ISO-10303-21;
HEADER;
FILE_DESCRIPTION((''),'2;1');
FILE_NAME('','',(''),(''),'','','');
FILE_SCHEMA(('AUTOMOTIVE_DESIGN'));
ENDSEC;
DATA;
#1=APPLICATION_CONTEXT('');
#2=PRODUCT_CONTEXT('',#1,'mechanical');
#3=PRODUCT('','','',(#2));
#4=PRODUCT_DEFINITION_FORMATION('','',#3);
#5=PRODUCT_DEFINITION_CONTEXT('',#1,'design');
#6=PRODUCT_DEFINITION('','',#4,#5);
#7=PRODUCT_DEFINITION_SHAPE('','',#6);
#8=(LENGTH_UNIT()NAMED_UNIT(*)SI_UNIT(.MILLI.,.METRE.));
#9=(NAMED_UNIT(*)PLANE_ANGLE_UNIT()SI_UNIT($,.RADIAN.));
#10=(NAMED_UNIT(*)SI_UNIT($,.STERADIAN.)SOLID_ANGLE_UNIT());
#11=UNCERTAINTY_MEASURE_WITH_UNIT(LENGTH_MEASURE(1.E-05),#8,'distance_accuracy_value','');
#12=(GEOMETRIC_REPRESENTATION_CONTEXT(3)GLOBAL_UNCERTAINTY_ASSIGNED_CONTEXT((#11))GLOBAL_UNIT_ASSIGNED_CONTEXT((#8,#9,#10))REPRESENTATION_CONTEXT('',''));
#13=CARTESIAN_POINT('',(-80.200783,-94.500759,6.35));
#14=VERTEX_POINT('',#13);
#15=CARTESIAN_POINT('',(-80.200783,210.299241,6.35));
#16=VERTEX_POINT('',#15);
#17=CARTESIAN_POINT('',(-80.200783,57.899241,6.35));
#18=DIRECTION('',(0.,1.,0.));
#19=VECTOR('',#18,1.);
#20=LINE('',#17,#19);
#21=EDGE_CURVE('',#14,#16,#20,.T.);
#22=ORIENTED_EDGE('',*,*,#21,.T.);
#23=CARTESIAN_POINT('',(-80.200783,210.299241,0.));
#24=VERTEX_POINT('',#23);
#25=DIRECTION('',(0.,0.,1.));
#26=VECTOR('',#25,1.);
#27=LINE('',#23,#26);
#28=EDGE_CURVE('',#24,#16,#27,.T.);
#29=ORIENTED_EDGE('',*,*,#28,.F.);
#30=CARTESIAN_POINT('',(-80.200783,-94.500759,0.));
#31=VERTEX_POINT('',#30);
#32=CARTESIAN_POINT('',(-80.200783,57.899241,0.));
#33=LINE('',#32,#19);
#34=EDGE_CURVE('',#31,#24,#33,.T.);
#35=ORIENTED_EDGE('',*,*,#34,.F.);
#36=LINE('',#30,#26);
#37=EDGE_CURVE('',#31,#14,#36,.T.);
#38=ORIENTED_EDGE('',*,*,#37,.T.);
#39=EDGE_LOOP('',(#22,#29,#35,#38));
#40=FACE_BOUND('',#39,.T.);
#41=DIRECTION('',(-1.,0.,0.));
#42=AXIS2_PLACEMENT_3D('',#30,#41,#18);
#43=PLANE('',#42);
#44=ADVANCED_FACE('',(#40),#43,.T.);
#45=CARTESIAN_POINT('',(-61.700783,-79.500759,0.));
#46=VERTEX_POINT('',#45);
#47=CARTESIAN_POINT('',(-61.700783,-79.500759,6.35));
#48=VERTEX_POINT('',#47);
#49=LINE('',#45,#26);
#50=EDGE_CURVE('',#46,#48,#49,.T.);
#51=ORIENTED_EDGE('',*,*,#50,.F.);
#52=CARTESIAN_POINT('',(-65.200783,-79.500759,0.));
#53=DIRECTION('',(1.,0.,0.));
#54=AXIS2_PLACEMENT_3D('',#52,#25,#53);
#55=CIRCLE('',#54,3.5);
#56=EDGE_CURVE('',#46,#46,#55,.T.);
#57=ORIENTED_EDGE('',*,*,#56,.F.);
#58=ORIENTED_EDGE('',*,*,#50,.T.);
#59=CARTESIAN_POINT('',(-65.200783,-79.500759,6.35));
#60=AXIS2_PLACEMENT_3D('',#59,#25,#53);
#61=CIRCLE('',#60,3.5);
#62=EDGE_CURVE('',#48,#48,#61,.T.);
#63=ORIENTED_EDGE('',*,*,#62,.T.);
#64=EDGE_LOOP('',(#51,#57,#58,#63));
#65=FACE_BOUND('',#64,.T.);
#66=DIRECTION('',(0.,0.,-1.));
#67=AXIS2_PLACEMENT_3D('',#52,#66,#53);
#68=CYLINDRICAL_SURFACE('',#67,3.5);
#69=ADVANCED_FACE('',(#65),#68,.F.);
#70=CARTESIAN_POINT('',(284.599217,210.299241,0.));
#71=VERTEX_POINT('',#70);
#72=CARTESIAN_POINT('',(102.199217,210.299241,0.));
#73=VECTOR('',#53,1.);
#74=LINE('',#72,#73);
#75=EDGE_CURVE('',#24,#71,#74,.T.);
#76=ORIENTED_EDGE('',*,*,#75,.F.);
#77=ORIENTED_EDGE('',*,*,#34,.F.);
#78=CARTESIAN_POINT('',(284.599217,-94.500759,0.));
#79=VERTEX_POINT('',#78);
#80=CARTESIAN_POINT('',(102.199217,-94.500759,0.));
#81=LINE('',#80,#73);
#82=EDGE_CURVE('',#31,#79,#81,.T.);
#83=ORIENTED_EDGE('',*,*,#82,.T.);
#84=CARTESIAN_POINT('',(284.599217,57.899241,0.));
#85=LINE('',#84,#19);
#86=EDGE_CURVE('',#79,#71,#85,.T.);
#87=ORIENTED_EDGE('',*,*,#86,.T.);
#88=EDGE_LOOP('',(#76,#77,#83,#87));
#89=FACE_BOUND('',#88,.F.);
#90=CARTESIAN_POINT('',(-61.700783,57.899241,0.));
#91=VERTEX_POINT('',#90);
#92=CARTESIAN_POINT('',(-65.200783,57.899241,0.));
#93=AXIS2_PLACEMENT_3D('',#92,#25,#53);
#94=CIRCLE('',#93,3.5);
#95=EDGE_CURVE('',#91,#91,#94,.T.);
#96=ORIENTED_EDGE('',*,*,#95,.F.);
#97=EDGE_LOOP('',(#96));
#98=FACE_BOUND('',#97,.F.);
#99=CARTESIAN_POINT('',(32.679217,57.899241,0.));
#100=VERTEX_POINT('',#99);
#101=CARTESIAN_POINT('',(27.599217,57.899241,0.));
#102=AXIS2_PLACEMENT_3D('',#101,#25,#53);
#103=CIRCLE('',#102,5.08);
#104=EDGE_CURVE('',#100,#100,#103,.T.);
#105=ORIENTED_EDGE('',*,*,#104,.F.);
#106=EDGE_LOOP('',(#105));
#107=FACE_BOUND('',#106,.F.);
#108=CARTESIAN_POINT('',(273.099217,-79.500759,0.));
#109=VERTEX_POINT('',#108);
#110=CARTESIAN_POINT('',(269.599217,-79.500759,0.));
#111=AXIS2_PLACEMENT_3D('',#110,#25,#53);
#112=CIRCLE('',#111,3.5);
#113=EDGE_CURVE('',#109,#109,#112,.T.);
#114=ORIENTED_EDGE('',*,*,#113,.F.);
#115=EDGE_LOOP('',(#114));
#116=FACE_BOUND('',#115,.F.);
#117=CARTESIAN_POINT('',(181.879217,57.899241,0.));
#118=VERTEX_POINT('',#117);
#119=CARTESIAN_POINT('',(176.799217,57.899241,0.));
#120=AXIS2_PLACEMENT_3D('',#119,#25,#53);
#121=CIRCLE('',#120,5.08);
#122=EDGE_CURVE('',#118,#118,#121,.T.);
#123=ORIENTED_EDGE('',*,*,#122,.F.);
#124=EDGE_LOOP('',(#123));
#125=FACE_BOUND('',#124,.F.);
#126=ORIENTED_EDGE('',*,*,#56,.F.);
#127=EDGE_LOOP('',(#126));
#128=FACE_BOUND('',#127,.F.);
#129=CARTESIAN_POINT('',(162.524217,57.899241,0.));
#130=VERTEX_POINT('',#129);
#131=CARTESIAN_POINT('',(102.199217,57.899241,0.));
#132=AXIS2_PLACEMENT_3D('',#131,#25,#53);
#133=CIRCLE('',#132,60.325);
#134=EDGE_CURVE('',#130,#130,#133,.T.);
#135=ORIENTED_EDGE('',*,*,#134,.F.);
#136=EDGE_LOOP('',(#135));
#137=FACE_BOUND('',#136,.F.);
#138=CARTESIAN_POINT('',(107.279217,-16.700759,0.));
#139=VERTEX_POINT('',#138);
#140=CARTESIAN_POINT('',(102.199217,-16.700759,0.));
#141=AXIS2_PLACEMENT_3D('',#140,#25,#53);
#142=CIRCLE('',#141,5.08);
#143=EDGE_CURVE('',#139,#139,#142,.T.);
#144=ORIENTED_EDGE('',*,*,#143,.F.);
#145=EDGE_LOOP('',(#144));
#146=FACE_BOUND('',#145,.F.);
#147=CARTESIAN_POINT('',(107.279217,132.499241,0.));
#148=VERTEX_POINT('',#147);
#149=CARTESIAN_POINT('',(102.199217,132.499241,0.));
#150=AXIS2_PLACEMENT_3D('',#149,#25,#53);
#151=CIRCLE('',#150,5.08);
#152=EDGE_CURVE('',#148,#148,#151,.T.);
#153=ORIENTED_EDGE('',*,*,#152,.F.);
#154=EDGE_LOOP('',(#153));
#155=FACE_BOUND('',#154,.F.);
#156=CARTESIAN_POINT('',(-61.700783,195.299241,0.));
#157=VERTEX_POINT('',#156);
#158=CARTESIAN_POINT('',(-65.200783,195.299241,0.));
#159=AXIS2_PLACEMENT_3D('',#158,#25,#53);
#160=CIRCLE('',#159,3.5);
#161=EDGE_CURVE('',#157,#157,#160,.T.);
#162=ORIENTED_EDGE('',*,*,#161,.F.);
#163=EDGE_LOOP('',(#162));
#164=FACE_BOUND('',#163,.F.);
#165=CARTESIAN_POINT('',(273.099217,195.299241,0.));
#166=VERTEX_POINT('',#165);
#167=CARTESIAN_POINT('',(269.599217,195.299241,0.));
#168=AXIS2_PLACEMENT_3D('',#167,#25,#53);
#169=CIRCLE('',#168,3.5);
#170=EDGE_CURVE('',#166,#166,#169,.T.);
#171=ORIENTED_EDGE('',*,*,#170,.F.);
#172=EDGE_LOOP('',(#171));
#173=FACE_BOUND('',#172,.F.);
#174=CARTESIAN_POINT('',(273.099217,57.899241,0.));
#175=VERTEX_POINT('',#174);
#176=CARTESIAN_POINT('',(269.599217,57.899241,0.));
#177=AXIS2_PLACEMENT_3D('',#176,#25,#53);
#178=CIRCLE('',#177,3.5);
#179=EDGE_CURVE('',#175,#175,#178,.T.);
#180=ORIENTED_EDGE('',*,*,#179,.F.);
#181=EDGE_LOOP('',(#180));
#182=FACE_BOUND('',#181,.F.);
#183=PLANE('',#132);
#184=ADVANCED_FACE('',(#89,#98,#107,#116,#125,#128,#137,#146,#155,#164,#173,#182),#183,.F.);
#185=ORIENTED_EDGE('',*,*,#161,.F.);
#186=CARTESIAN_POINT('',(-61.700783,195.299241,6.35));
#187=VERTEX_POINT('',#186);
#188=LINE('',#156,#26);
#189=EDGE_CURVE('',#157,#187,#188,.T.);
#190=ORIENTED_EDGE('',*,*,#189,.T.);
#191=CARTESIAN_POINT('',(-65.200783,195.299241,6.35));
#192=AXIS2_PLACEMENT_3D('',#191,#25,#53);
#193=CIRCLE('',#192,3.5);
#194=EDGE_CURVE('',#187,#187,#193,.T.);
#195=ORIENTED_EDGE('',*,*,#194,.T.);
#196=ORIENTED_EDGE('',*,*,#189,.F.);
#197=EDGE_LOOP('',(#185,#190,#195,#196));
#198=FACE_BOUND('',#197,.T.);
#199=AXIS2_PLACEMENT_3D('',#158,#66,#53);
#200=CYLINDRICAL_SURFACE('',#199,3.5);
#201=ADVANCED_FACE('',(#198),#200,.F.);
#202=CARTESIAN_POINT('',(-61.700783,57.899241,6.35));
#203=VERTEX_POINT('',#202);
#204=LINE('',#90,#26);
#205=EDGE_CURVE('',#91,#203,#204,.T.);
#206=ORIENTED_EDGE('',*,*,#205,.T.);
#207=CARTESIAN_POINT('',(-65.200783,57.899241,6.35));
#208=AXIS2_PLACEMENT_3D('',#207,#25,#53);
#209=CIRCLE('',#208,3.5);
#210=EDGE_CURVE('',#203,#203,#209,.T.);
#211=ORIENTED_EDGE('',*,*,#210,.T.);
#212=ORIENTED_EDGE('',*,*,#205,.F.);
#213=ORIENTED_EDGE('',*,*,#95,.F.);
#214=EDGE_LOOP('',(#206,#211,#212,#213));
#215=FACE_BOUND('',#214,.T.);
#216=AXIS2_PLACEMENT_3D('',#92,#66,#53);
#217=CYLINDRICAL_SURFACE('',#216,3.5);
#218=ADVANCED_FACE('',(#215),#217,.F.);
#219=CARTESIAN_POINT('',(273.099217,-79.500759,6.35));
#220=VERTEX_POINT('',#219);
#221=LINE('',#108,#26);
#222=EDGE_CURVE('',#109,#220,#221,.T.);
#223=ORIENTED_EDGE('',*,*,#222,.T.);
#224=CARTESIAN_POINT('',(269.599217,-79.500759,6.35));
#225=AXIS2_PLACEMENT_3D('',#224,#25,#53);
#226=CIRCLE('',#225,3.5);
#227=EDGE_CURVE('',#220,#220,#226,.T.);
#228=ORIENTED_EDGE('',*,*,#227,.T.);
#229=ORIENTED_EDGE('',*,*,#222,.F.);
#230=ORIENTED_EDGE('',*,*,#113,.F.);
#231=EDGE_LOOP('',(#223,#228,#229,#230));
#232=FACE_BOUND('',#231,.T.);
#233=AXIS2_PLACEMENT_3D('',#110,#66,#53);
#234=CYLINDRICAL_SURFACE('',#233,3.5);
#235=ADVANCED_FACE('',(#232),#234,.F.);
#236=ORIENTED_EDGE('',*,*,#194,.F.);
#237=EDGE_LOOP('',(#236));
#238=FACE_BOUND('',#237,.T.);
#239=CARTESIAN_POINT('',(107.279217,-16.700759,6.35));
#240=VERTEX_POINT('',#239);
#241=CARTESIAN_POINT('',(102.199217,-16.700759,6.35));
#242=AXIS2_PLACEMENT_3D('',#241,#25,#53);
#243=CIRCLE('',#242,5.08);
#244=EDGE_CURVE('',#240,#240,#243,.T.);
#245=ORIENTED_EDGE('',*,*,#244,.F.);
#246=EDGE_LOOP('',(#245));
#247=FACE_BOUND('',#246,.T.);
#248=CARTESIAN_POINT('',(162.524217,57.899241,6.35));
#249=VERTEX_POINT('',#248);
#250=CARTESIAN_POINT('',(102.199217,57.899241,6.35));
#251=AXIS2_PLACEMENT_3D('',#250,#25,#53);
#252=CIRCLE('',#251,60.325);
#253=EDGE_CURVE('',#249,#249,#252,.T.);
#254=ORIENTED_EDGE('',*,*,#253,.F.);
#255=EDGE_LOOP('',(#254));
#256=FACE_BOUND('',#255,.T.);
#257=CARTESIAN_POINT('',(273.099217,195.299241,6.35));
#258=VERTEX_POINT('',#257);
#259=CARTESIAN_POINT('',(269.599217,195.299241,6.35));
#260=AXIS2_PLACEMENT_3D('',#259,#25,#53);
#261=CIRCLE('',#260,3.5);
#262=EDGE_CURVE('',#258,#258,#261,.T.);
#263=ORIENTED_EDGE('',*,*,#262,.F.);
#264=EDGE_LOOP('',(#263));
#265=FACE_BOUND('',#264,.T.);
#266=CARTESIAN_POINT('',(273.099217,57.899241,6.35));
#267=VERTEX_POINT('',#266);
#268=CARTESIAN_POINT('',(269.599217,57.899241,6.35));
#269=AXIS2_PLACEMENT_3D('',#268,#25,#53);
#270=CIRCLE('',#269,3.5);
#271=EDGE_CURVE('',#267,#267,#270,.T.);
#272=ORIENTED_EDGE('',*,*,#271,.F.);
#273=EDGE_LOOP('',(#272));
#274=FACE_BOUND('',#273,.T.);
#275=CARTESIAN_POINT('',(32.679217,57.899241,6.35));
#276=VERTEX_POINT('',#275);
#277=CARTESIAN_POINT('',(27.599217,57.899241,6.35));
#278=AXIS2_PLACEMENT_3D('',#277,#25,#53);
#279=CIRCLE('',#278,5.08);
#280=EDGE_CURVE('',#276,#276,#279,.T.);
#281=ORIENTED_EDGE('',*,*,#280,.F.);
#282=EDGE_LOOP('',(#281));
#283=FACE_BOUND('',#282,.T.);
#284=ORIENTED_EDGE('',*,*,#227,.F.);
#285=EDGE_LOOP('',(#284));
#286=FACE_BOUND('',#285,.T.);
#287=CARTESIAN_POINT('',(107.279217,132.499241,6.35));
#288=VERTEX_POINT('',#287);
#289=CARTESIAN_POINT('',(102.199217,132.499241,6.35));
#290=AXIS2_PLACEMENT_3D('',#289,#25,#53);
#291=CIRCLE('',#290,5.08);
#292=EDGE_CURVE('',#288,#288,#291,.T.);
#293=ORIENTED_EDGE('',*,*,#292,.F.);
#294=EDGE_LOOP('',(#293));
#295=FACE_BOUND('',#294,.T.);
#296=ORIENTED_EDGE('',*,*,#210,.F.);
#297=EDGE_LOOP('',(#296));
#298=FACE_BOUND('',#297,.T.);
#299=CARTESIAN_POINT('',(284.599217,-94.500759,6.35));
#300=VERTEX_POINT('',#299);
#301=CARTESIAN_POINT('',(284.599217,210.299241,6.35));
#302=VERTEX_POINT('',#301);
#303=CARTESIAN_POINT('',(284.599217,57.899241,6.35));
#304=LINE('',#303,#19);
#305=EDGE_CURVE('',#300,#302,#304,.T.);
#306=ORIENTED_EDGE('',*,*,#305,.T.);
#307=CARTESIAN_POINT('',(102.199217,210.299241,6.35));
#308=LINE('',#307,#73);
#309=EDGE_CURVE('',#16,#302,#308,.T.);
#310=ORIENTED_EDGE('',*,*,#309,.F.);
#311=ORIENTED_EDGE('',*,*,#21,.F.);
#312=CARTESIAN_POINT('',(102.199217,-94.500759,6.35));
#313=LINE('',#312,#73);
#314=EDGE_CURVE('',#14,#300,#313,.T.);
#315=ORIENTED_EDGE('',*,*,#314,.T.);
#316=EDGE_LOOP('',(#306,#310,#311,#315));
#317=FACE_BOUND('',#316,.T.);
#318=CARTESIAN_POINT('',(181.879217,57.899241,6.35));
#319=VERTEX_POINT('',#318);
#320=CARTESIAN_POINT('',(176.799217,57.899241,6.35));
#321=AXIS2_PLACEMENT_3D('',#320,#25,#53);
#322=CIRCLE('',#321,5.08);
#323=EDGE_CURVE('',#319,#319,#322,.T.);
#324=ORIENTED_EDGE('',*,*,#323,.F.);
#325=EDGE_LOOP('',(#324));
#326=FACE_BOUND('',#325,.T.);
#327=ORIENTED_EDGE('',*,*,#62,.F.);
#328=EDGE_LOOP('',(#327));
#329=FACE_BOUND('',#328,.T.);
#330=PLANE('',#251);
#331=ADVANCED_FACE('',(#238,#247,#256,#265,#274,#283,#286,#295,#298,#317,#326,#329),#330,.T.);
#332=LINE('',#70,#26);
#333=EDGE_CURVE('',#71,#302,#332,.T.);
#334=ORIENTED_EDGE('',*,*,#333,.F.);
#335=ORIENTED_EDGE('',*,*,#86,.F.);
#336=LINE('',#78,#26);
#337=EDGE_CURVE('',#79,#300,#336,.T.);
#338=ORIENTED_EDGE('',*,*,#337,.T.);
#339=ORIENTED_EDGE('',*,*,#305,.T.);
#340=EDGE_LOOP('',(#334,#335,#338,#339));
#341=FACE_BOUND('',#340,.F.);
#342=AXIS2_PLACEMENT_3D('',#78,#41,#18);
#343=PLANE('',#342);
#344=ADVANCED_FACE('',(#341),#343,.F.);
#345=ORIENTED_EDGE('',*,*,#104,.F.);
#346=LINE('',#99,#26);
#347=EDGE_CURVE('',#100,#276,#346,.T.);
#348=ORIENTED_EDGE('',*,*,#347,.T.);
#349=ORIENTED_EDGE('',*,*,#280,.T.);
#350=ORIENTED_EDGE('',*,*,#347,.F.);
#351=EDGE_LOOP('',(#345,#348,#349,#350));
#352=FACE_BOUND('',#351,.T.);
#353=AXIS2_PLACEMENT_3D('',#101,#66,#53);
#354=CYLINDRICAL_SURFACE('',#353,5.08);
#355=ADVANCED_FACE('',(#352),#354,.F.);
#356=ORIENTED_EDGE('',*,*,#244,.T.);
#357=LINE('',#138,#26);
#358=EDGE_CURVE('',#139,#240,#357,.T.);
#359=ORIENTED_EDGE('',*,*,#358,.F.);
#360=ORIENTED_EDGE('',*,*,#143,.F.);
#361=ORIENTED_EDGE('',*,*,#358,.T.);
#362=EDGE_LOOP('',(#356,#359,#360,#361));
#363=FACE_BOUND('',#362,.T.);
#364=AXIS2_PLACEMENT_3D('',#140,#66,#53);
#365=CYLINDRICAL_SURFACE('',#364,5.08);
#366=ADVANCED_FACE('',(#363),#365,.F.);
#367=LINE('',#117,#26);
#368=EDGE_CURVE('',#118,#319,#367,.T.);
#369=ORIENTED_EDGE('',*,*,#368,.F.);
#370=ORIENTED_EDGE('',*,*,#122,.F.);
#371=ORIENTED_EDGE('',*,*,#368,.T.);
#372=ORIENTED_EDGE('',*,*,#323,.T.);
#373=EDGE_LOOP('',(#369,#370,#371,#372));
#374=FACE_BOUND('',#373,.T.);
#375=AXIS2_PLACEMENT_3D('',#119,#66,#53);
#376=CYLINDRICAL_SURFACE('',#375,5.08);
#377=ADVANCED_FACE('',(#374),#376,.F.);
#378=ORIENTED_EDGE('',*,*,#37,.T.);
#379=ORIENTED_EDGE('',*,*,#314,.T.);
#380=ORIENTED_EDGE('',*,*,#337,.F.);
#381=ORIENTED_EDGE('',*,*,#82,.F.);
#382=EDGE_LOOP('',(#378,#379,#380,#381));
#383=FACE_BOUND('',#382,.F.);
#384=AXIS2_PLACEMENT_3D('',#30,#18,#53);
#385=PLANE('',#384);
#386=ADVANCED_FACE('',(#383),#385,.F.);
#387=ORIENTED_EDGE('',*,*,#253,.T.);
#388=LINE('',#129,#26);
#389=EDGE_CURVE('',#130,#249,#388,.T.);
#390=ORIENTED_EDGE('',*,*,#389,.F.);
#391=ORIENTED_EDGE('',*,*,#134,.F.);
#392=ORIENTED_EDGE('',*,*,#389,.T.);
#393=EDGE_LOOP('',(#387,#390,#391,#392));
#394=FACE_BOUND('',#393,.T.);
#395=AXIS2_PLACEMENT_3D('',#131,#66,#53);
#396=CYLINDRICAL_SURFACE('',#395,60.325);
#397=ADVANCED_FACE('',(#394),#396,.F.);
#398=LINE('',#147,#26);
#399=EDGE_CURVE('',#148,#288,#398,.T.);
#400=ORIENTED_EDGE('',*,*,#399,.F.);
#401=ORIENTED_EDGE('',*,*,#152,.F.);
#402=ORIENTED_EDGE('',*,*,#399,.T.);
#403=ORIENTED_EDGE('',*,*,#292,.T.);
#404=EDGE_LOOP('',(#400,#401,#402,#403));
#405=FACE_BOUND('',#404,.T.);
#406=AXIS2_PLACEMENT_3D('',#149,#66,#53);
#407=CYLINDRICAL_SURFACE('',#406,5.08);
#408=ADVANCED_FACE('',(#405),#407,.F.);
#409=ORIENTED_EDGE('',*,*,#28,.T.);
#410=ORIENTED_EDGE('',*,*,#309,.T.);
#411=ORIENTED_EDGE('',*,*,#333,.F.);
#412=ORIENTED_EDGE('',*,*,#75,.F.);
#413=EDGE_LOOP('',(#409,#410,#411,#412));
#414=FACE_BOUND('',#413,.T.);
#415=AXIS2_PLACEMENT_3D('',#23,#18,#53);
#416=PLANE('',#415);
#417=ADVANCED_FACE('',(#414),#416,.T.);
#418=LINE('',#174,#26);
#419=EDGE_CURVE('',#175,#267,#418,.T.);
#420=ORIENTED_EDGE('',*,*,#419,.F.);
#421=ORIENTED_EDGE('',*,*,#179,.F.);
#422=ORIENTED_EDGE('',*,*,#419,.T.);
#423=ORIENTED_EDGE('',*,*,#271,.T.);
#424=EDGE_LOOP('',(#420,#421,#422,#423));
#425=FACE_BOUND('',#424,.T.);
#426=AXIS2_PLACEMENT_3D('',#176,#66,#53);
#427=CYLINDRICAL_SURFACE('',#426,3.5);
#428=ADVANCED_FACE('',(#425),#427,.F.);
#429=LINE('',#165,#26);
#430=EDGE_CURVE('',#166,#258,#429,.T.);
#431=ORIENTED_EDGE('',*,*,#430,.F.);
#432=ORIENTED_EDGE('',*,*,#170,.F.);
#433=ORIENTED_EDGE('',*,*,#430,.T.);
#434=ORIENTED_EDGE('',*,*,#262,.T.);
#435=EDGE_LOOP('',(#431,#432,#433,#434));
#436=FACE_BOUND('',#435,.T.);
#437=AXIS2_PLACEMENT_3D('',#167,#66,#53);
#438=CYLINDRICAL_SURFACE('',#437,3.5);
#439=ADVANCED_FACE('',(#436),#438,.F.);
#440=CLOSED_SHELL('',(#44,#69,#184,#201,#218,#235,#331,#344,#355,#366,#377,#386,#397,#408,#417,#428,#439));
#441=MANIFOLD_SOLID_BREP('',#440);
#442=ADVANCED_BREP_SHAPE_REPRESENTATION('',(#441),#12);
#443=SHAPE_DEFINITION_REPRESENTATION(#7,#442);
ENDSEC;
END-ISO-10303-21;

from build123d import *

# Parameters (mm, degrees)
SKETCH1_W           = 364.8
SKETCH1_H           = 304.8
SKETCH1_R           = 60.325
SKETCH1_R_2         = 5.08
SKETCH1_R_3         = 3.5
BOSS_EXTRUDE1_DEPTH = 6.35


with BuildPart() as part:
    # Sketch1 → Boss-Extrude1 (new body)
    with BuildSketch(Plane.XY):
        with Locations((102.199217301, 57.89924129)):
            Rectangle(SKETCH1_W, SKETCH1_H)
        with Locations((102.199217301, 57.89924129)):
            Circle(SKETCH1_R, mode=Mode.SUBTRACT)
        with Locations((102.199217301, 132.499241315)):
            Circle(SKETCH1_R_2, mode=Mode.SUBTRACT)
        with Locations((27.599217276, 57.89924129)):
            Circle(SKETCH1_R_2, mode=Mode.SUBTRACT)
        with Locations((102.199217301, -16.700758735)):
            Circle(SKETCH1_R_2, mode=Mode.SUBTRACT)
        with Locations((176.799217326, 57.89924129)):
            Circle(SKETCH1_R_2, mode=Mode.SUBTRACT)
        with Locations((-65.200782699, 195.29924129)):
            Circle(SKETCH1_R_3, mode=Mode.SUBTRACT)
        with Locations((-65.200782699, 57.89924129)):
            Circle(SKETCH1_R_3, mode=Mode.SUBTRACT)
        with Locations((-65.200782699, -79.50075871)):
            Circle(SKETCH1_R_3, mode=Mode.SUBTRACT)
        with Locations((269.599217301, 195.29924129)):
            Circle(SKETCH1_R_3, mode=Mode.SUBTRACT)
        with Locations((269.599217301, 57.89924129)):
            Circle(SKETCH1_R_3, mode=Mode.SUBTRACT)
        with Locations((269.599217301, -79.50075871)):
            Circle(SKETCH1_R_3, mode=Mode.SUBTRACT)
    extrude(amount=BOSS_EXTRUDE1_DEPTH)


solid = part.part
